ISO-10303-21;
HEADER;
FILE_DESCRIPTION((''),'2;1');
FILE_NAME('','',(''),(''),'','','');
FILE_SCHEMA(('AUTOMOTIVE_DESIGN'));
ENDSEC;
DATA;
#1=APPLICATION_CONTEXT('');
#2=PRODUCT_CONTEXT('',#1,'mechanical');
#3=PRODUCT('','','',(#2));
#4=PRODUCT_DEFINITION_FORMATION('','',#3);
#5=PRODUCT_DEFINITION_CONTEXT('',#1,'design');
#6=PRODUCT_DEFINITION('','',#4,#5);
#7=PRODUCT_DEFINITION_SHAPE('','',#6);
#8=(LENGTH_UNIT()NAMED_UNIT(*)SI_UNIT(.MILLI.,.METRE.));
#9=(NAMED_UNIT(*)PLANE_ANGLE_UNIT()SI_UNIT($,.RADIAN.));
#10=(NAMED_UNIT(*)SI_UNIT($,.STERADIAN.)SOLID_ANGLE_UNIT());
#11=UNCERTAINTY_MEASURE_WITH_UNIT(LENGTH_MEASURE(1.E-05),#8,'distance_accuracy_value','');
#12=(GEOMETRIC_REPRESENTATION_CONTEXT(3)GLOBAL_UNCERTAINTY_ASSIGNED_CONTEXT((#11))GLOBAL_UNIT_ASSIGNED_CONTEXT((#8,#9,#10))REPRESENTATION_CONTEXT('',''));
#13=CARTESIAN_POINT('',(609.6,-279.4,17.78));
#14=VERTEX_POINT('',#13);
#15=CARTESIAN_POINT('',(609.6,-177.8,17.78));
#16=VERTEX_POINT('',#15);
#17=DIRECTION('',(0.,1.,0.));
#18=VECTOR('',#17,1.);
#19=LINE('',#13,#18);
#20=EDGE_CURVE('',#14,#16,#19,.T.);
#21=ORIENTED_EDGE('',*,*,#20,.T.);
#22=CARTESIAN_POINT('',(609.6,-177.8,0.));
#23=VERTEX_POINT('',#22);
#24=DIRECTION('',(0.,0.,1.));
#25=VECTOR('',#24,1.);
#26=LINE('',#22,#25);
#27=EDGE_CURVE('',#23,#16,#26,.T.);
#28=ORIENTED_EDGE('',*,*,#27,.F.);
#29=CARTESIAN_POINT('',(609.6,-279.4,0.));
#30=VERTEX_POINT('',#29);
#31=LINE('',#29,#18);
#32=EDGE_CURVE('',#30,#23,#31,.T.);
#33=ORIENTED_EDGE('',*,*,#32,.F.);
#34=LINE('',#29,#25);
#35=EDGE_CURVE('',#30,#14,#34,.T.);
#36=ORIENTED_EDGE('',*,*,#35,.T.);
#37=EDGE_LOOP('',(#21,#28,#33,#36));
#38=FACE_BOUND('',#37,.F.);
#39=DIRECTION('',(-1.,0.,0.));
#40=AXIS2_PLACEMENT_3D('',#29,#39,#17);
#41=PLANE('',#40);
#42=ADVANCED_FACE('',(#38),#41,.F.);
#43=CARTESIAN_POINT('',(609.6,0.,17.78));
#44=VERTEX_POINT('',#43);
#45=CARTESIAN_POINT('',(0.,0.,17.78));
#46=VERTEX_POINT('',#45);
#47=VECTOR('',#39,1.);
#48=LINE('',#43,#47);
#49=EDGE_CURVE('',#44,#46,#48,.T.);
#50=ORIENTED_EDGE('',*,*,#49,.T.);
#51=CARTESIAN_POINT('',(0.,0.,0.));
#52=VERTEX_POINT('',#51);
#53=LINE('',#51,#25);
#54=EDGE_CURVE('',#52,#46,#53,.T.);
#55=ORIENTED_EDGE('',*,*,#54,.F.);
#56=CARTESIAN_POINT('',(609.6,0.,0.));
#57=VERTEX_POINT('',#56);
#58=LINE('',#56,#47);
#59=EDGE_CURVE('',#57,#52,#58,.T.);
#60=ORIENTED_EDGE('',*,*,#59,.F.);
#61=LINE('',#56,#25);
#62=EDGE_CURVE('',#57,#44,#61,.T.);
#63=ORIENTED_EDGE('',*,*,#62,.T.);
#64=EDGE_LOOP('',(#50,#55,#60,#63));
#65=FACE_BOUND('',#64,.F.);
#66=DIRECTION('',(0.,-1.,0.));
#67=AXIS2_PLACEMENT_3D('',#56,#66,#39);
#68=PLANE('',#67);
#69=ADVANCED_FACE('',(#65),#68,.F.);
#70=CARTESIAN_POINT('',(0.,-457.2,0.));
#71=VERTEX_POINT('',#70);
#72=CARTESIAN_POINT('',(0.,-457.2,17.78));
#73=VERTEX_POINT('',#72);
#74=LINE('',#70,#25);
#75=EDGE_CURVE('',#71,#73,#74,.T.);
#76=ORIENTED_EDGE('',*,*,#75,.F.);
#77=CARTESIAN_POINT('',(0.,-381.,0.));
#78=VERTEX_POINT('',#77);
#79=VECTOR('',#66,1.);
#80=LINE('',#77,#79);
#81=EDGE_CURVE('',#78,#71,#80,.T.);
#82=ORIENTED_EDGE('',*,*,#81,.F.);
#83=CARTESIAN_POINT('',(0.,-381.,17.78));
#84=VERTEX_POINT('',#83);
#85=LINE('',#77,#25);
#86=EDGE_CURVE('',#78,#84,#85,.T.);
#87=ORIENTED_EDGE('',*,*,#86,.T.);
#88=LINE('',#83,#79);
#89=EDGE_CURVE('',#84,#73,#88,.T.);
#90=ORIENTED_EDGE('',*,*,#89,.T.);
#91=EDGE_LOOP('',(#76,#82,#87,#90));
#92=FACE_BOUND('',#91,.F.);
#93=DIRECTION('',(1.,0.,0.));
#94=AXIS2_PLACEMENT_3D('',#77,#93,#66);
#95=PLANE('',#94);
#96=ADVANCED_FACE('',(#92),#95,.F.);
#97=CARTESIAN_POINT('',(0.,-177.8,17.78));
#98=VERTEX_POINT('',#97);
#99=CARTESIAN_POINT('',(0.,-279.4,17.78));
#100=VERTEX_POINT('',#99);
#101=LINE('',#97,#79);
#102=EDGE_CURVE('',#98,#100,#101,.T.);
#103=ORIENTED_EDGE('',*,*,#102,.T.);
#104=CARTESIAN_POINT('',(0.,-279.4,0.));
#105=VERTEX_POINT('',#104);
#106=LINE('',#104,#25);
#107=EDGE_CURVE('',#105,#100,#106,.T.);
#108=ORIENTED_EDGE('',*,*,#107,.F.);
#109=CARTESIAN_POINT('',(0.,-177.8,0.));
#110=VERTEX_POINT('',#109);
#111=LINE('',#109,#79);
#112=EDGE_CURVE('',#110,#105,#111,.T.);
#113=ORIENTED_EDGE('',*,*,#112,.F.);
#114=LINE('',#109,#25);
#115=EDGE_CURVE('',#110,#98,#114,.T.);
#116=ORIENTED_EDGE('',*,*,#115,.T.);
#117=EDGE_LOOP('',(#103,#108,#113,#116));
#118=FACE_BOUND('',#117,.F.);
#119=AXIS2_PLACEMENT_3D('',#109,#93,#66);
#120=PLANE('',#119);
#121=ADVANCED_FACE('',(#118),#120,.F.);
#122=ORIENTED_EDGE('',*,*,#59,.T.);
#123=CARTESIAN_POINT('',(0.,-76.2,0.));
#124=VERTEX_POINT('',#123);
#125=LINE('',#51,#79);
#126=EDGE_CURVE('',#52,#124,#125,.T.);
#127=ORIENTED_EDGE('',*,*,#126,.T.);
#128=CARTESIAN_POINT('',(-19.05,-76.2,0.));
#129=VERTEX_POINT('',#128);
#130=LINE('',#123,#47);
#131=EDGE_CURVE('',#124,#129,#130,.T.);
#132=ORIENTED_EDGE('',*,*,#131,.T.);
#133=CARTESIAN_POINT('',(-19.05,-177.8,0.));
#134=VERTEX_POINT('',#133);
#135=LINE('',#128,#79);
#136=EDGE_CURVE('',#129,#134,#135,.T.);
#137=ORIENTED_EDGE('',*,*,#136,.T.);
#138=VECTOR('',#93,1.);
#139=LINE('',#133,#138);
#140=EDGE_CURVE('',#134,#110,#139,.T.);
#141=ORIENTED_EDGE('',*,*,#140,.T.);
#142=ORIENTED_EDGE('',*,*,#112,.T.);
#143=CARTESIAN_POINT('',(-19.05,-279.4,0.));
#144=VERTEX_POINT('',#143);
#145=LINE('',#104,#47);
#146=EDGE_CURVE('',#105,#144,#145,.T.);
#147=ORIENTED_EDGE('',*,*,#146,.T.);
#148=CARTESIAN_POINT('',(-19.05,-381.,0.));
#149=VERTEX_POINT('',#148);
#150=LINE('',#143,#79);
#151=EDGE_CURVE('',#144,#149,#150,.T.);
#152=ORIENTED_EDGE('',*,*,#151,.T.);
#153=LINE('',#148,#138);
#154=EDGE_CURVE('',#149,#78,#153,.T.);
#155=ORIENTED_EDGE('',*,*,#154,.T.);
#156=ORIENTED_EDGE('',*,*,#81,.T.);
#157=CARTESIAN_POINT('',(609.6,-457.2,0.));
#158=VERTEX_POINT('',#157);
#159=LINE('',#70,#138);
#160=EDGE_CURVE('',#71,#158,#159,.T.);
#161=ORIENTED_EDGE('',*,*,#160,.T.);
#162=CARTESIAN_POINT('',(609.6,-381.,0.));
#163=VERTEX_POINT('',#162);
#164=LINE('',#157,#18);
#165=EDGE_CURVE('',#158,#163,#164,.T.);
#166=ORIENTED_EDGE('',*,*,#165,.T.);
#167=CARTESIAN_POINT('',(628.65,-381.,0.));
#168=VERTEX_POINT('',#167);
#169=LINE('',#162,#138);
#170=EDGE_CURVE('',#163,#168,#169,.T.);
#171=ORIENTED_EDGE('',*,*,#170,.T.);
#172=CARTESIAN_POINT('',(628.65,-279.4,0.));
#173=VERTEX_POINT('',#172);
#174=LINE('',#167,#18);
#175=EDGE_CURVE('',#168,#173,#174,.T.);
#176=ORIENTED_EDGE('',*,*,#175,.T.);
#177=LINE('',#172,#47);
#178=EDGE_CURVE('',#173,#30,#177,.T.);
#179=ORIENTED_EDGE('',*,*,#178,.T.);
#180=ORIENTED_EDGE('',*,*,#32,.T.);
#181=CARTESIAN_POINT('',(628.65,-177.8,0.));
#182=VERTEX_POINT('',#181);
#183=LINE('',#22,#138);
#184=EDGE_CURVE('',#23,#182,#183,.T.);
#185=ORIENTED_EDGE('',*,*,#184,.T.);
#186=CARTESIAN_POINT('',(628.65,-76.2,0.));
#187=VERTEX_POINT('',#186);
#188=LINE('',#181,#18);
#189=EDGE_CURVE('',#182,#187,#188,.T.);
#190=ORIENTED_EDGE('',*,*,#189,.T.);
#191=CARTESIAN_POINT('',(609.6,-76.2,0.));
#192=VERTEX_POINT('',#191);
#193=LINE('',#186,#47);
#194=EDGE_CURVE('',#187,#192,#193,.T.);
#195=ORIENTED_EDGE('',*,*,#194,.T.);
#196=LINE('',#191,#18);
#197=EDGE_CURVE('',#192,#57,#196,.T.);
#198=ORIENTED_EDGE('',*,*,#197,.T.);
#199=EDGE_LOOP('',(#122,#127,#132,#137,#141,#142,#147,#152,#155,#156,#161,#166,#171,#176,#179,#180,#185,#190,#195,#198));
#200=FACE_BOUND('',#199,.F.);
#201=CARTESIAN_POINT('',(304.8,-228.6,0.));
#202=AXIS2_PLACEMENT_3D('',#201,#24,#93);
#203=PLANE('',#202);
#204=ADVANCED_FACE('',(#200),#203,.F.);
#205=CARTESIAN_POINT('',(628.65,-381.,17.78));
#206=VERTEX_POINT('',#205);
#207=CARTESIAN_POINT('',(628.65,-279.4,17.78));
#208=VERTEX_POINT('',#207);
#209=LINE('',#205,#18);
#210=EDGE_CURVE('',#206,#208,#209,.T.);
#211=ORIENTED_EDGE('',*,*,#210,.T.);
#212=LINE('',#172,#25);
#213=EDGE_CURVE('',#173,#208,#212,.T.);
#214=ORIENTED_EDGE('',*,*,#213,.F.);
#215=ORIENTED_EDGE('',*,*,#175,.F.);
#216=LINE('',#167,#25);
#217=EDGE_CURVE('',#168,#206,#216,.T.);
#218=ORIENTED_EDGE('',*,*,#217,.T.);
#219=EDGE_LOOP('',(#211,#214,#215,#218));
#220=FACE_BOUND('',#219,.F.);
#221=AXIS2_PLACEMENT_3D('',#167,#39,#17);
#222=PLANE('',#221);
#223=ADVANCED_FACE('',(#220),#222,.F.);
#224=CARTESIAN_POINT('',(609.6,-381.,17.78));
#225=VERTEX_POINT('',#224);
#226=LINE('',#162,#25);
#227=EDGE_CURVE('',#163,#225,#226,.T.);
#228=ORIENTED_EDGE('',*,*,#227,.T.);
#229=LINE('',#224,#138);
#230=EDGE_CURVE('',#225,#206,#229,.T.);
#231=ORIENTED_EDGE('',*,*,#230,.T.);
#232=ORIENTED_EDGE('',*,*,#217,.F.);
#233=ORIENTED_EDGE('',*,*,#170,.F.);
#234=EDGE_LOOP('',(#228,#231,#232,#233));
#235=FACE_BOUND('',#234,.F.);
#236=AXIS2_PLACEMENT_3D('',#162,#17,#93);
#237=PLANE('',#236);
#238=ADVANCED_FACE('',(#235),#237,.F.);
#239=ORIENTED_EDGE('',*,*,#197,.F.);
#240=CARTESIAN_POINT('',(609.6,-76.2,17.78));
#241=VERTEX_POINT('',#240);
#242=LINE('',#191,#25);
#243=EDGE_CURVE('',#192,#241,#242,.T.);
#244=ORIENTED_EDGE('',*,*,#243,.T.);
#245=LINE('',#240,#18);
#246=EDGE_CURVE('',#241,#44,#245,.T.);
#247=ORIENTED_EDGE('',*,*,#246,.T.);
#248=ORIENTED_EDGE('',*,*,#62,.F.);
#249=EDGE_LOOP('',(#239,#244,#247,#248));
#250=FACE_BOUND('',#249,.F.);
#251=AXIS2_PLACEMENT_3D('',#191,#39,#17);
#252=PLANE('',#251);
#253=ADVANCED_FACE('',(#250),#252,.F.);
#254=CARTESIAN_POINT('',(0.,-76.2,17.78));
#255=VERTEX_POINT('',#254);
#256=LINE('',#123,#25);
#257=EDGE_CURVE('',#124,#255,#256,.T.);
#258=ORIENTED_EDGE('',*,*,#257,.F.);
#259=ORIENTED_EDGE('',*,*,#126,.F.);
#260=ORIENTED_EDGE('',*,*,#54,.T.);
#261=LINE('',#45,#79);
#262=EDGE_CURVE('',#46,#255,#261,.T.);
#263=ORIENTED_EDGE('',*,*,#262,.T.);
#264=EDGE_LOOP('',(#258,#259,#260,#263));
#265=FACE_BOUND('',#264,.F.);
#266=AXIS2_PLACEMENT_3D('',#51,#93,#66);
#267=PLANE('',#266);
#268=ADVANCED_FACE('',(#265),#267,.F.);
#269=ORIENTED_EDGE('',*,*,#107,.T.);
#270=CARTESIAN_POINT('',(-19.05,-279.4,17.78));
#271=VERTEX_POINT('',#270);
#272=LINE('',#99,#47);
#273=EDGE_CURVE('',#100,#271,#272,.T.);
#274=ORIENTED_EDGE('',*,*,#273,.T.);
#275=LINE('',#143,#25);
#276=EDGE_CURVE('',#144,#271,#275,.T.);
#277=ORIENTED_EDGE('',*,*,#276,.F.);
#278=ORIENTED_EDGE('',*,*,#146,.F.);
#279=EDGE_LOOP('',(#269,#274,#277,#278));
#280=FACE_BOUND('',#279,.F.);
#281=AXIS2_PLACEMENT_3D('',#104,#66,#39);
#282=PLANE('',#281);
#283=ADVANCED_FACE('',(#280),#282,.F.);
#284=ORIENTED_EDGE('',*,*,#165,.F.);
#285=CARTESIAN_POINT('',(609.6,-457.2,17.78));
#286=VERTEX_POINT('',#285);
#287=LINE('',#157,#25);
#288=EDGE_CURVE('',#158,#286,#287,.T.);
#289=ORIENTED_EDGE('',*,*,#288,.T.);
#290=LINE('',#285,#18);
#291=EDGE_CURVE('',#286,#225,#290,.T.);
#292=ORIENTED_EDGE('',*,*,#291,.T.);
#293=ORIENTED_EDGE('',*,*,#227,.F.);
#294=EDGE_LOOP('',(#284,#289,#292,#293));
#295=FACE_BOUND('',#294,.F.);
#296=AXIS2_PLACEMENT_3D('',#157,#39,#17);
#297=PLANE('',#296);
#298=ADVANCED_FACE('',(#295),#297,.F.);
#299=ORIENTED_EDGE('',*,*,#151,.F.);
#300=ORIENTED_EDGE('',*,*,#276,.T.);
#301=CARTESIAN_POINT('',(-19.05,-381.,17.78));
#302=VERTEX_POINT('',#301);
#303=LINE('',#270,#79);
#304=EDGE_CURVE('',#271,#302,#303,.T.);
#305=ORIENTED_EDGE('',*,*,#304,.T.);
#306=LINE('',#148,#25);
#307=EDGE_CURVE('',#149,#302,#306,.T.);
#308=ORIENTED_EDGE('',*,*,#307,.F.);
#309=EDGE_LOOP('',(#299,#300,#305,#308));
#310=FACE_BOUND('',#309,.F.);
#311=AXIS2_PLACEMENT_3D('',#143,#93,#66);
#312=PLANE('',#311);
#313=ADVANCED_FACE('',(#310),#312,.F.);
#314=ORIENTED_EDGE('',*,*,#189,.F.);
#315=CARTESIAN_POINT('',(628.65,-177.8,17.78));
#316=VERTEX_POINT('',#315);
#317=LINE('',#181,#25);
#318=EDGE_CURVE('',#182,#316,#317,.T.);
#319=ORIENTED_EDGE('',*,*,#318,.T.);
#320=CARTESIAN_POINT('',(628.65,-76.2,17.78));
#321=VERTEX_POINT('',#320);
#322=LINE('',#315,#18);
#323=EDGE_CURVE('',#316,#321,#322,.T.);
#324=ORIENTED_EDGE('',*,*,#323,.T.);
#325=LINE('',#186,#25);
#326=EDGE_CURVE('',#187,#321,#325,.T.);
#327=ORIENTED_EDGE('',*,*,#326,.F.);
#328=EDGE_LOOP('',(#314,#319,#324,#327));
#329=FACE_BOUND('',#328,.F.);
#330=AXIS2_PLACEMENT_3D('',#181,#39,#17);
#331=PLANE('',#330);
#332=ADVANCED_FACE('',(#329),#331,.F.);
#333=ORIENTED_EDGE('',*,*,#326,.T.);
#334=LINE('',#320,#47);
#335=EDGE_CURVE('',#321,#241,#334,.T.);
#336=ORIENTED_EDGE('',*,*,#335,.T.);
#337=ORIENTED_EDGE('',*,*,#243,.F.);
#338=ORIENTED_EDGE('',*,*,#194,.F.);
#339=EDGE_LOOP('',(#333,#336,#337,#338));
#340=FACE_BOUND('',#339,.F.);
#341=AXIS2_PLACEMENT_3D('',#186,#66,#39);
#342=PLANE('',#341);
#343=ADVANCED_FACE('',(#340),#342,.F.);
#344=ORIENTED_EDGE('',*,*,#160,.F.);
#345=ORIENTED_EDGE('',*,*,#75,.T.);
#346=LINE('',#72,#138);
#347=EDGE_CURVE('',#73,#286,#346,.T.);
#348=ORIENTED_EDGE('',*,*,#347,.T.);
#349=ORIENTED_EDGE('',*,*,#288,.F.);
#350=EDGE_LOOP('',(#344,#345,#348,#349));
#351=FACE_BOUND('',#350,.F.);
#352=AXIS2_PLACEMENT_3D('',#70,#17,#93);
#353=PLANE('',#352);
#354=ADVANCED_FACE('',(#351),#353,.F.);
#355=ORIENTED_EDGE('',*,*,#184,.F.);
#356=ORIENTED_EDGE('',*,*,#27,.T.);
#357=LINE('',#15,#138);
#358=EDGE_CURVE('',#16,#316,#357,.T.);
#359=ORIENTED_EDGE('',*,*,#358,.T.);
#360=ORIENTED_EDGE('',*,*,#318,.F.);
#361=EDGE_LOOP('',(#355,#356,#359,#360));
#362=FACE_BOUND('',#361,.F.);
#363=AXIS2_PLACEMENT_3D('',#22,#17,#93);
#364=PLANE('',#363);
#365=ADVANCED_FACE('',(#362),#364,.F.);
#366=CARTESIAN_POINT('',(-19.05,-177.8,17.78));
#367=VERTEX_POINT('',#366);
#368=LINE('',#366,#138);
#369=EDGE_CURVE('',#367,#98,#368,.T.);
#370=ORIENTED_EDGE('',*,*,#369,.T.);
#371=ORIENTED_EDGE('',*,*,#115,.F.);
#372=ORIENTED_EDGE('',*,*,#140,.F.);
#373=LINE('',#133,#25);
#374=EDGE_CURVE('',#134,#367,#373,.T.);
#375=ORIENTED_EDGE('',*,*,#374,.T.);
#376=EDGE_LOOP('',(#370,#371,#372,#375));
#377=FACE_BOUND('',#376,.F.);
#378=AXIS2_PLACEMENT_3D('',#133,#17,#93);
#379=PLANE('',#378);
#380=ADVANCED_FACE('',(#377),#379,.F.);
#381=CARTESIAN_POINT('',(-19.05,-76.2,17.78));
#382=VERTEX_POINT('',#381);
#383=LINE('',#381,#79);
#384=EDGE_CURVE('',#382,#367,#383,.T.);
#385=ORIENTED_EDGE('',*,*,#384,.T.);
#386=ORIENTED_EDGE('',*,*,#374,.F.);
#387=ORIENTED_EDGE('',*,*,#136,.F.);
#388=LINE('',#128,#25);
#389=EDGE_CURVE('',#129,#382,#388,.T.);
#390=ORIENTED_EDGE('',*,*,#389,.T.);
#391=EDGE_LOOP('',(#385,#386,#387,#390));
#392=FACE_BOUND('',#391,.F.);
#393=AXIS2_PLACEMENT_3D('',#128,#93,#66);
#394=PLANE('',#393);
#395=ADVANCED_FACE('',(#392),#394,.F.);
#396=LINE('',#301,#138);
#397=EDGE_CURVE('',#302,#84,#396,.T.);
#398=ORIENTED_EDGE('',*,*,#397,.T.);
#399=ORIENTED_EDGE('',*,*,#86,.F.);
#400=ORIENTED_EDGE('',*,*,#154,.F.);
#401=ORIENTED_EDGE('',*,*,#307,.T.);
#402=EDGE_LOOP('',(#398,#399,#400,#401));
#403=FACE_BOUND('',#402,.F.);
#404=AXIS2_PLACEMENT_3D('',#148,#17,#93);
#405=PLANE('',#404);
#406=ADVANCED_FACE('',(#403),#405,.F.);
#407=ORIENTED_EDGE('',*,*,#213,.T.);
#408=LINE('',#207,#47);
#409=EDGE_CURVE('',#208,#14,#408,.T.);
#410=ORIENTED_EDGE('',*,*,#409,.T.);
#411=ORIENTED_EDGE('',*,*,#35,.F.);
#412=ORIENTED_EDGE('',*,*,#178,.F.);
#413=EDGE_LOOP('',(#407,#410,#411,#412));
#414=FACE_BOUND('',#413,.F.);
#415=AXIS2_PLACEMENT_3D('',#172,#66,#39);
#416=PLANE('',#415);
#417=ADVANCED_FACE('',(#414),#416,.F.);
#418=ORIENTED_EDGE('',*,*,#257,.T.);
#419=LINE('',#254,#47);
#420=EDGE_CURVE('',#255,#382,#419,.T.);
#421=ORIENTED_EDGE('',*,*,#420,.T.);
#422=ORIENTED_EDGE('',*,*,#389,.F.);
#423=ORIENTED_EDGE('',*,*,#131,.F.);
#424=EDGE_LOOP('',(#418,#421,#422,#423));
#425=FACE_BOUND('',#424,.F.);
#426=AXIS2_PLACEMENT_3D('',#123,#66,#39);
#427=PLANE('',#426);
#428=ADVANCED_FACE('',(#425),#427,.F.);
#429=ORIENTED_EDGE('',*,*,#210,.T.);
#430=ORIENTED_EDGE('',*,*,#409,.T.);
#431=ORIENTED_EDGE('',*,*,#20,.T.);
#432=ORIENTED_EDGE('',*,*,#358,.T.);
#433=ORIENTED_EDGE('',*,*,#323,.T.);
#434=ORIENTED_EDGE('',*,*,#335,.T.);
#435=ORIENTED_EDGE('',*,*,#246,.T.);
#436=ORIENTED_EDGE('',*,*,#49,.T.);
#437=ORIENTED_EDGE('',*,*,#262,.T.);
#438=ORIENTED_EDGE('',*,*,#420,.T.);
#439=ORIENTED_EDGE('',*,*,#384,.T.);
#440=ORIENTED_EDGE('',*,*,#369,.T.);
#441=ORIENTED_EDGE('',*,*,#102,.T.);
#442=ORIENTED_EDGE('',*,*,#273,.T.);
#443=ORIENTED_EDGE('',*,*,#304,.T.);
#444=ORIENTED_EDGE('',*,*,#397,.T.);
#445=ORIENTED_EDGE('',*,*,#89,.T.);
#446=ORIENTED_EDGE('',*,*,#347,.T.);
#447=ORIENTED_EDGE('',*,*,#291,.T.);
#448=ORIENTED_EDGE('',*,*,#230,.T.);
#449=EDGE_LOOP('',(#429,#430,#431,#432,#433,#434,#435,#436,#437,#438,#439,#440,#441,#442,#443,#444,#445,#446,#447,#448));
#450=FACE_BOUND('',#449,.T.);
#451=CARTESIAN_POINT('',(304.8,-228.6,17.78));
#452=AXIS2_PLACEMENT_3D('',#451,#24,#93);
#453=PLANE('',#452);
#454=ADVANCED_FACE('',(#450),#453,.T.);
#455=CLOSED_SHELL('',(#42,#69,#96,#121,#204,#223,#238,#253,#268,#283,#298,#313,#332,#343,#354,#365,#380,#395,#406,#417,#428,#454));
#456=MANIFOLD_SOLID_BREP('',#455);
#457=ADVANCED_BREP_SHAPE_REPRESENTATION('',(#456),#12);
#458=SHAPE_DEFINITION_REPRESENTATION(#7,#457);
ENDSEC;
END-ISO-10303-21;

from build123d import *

# Parameters (mm, degrees)
F1_DEPTH = 17.78


with BuildPart() as f1:
    # F0 (on Top) → F1 (new body)
    with BuildSketch(Plane.XY):
        Polygon((609.6, 0), (0, 0), (0, -76.2), (-19.05, -76.2), (-19.05, -177.8), (0, -177.8), (0, -279.4), (-19.05, -279.4), (-19.05, -381), (0, -381), (0, -457.2), (609.6, -457.2), (609.6, -381), (628.65, -381), (628.65, -279.4), (609.6, -279.4), (609.6, -177.8), (628.65, -177.8), (628.65, -76.2), (609.6, -76.2), align=None)
    extrude(amount=F1_DEPTH)


solid = f1.part
